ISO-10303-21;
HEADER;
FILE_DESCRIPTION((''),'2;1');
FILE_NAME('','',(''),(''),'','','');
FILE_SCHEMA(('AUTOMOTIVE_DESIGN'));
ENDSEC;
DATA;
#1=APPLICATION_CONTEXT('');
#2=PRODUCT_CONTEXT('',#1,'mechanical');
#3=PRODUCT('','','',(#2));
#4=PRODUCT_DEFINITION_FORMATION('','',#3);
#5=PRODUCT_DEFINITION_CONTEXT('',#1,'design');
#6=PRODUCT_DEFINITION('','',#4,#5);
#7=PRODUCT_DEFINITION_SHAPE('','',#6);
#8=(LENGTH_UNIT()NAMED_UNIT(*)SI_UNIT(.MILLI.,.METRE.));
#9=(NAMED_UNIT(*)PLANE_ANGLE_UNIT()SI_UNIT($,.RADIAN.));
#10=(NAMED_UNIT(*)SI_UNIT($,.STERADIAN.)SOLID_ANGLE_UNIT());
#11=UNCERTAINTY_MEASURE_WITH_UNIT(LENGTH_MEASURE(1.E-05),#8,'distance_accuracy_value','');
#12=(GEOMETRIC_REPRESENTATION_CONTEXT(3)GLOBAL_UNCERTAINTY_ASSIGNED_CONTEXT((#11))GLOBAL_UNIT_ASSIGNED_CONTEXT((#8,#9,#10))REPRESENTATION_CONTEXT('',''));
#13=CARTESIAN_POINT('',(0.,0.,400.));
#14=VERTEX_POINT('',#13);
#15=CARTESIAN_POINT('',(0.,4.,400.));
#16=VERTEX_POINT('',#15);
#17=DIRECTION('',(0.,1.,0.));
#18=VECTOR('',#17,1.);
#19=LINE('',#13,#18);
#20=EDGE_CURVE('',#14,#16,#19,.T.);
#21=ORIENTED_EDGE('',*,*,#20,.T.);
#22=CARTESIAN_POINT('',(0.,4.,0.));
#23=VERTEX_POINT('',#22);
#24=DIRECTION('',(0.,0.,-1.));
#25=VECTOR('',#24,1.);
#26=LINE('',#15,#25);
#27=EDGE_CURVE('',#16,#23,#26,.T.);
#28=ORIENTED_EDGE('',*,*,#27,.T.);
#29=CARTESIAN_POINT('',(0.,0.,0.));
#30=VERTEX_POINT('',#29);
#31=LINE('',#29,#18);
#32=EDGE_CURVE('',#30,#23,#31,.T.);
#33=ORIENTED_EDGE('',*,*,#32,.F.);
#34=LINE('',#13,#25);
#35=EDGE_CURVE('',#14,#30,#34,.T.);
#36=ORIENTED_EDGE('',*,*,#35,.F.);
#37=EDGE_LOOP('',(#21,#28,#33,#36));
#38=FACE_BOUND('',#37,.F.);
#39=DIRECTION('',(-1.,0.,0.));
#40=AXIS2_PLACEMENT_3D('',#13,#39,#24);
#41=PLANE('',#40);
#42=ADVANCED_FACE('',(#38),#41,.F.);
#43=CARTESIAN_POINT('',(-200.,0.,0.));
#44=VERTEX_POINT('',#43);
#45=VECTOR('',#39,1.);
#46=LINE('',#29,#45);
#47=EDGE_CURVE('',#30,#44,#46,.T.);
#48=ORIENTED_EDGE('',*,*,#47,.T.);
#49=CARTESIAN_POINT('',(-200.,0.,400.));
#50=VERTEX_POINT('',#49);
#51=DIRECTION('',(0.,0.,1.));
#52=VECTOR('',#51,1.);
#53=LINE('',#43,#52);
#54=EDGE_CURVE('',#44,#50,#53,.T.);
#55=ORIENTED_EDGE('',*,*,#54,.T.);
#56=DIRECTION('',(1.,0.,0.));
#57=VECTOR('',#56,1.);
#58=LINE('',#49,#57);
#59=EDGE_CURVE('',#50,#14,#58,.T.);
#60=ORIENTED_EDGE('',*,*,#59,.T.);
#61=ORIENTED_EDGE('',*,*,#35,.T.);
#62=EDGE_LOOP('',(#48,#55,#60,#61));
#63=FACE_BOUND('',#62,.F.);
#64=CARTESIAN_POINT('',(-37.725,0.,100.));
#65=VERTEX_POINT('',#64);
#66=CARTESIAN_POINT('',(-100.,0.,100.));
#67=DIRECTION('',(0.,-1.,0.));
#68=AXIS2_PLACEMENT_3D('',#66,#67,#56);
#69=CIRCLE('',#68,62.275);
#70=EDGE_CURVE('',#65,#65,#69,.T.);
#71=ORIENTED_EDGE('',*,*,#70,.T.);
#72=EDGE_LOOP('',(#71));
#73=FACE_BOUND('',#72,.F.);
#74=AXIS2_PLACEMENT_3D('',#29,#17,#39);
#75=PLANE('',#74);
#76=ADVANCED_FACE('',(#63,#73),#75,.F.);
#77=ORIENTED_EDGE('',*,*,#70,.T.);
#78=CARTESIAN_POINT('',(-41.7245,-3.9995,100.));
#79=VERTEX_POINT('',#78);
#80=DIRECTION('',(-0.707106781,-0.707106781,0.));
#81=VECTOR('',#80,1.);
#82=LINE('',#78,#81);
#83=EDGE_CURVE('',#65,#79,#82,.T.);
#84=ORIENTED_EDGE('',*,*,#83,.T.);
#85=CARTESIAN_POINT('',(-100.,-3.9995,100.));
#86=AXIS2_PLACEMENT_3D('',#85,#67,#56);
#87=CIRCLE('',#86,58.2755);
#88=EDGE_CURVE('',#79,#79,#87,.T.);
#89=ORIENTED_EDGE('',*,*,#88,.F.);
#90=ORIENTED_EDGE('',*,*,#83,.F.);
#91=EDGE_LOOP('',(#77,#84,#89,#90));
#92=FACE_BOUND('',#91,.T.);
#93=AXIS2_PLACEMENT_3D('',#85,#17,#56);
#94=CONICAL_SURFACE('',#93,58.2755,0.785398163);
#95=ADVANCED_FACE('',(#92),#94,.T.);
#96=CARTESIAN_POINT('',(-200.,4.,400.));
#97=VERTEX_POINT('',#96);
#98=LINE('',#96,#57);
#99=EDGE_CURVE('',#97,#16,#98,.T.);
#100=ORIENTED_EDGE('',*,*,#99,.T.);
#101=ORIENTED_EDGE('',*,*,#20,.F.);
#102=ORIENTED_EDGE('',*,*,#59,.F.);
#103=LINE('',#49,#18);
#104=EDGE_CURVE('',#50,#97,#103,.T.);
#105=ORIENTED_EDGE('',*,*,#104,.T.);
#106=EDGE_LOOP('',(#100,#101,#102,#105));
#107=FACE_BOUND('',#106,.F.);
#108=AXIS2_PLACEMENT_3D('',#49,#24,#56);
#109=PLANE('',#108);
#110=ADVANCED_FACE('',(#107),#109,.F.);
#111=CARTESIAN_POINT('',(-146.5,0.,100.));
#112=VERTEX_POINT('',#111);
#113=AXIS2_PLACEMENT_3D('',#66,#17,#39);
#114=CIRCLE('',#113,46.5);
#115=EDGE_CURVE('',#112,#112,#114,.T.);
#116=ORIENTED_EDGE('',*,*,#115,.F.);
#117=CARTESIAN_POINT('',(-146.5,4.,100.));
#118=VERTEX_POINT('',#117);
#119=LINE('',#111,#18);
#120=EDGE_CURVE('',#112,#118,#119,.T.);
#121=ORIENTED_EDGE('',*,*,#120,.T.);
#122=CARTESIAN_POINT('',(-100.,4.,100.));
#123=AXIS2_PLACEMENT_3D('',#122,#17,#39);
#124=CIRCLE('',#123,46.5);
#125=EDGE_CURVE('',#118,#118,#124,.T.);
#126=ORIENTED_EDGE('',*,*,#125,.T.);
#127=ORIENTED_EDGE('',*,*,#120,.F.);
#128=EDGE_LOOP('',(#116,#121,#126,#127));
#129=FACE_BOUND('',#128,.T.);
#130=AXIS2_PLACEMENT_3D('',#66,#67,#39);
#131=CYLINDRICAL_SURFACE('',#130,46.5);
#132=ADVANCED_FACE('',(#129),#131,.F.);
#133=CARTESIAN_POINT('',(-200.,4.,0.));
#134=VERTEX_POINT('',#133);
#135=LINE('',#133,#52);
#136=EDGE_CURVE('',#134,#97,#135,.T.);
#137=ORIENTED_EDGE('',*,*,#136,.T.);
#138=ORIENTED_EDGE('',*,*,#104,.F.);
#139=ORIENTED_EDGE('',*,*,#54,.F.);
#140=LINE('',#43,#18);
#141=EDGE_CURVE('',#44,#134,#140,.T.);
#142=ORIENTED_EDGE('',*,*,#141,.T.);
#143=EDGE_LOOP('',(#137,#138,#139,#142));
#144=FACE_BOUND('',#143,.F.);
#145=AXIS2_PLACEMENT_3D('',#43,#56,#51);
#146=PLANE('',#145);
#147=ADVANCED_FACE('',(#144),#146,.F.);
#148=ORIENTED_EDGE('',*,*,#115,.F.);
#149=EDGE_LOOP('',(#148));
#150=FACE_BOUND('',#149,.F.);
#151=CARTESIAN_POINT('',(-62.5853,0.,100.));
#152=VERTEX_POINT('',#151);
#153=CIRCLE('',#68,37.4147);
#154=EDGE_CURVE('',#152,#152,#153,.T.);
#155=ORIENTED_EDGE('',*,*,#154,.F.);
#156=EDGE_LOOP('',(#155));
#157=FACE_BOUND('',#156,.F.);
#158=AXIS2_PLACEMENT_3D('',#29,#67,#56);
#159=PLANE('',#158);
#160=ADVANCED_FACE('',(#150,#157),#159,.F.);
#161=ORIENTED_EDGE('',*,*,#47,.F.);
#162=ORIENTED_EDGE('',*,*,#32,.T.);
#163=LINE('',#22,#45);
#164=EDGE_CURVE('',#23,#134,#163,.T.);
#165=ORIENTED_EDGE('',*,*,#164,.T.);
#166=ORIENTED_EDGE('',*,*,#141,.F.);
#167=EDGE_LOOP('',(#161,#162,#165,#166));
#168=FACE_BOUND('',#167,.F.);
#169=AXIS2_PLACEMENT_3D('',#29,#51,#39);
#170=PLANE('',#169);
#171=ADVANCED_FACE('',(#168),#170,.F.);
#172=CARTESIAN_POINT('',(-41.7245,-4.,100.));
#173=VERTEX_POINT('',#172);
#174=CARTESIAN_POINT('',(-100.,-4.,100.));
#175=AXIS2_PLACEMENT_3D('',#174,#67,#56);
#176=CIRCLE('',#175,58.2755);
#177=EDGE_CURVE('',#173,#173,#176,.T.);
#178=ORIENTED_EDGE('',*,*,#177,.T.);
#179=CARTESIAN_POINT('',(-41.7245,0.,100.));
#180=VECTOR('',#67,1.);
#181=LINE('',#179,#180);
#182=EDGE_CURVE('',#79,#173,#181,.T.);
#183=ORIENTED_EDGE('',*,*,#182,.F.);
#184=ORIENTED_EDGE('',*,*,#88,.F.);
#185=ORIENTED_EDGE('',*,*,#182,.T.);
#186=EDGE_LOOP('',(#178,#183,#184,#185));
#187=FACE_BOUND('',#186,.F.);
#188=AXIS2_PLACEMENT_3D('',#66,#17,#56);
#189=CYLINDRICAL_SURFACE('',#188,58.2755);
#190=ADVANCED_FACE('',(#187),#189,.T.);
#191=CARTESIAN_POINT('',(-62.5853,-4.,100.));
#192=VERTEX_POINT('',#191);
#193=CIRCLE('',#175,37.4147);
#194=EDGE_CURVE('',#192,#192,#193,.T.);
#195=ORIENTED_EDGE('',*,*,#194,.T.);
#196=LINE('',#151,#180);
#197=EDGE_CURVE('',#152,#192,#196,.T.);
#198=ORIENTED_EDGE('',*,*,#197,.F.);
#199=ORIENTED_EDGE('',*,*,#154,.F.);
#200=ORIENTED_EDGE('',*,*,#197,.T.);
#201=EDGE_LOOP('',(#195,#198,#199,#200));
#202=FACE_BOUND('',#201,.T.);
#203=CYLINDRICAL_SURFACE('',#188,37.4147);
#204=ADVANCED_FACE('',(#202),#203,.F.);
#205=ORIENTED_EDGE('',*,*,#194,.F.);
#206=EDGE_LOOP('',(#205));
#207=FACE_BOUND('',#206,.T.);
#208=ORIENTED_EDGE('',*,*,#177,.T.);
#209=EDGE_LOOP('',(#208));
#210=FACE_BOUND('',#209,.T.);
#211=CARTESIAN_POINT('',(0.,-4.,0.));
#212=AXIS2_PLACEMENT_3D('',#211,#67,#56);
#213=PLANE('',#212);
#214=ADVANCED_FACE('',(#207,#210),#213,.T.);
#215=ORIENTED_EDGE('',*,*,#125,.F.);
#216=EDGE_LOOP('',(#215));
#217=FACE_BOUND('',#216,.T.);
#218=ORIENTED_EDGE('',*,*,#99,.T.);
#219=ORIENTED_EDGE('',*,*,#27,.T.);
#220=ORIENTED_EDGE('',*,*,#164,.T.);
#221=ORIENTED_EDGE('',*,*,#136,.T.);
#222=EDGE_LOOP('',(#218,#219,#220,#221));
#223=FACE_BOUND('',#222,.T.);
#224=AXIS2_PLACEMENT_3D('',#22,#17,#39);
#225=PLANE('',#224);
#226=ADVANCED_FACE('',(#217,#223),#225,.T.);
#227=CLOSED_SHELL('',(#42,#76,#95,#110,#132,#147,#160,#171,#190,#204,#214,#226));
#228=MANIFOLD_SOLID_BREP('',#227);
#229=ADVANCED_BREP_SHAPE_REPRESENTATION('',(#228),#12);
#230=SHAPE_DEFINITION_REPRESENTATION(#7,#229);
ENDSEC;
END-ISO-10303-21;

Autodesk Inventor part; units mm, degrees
ref_plane "YZ Plane" through (0, 0, 0) normal (1, 0, 0) x (0, 1, 0)
ref_plane "XZ Plane" through (0, 0, 0) normal (0, 1, 0) x (-1, 0, 0)
ref_plane "XY Plane" through (0, 0, 0) normal (0, 0, 1) x (1, 0, 0)
sketch "Эскиз1" plane through (0, 0, 0) normal (0, 1, 0) x (-1, 0, 0)
  line L0 (0, 0) -> (200, 0)
  line L1 (200, 0) -> (200, 400)
  line L2 (200, 400) -> (0, 400)
  line L3 (0, 400) -> (0, 0)
  circle A0 centre (100, 100) radius 46.5
  point P0 (100, 0)
  dimension "d0" = 200
  dimension "d1" = 400
  dimension "d2" = 100
  dimension "d3" = 93
extrude "Выдавливание1" add sketch "Эскиз1" along normal blind 4
sketch "Эскиз2" plane through (0, 0, 0) normal (0, -1, 0) x (1, 0, 0)
  circle A0 centre (-100, 100) radius 46.5 projected
  circle A1 centre (-100, 100) radius 58.2755
  circle A2 centre (-100, 100) radius 37.4147
  point P0 (0, 0)
extrude "Выдавливание2" add sketch "Эскиз2" along normal blind 4 contours A0 | A1
chamfer "Фаска1" distance 4 angle 45 1 edges at (-158.2755, 0, 100)
properties part number "типа танк"
